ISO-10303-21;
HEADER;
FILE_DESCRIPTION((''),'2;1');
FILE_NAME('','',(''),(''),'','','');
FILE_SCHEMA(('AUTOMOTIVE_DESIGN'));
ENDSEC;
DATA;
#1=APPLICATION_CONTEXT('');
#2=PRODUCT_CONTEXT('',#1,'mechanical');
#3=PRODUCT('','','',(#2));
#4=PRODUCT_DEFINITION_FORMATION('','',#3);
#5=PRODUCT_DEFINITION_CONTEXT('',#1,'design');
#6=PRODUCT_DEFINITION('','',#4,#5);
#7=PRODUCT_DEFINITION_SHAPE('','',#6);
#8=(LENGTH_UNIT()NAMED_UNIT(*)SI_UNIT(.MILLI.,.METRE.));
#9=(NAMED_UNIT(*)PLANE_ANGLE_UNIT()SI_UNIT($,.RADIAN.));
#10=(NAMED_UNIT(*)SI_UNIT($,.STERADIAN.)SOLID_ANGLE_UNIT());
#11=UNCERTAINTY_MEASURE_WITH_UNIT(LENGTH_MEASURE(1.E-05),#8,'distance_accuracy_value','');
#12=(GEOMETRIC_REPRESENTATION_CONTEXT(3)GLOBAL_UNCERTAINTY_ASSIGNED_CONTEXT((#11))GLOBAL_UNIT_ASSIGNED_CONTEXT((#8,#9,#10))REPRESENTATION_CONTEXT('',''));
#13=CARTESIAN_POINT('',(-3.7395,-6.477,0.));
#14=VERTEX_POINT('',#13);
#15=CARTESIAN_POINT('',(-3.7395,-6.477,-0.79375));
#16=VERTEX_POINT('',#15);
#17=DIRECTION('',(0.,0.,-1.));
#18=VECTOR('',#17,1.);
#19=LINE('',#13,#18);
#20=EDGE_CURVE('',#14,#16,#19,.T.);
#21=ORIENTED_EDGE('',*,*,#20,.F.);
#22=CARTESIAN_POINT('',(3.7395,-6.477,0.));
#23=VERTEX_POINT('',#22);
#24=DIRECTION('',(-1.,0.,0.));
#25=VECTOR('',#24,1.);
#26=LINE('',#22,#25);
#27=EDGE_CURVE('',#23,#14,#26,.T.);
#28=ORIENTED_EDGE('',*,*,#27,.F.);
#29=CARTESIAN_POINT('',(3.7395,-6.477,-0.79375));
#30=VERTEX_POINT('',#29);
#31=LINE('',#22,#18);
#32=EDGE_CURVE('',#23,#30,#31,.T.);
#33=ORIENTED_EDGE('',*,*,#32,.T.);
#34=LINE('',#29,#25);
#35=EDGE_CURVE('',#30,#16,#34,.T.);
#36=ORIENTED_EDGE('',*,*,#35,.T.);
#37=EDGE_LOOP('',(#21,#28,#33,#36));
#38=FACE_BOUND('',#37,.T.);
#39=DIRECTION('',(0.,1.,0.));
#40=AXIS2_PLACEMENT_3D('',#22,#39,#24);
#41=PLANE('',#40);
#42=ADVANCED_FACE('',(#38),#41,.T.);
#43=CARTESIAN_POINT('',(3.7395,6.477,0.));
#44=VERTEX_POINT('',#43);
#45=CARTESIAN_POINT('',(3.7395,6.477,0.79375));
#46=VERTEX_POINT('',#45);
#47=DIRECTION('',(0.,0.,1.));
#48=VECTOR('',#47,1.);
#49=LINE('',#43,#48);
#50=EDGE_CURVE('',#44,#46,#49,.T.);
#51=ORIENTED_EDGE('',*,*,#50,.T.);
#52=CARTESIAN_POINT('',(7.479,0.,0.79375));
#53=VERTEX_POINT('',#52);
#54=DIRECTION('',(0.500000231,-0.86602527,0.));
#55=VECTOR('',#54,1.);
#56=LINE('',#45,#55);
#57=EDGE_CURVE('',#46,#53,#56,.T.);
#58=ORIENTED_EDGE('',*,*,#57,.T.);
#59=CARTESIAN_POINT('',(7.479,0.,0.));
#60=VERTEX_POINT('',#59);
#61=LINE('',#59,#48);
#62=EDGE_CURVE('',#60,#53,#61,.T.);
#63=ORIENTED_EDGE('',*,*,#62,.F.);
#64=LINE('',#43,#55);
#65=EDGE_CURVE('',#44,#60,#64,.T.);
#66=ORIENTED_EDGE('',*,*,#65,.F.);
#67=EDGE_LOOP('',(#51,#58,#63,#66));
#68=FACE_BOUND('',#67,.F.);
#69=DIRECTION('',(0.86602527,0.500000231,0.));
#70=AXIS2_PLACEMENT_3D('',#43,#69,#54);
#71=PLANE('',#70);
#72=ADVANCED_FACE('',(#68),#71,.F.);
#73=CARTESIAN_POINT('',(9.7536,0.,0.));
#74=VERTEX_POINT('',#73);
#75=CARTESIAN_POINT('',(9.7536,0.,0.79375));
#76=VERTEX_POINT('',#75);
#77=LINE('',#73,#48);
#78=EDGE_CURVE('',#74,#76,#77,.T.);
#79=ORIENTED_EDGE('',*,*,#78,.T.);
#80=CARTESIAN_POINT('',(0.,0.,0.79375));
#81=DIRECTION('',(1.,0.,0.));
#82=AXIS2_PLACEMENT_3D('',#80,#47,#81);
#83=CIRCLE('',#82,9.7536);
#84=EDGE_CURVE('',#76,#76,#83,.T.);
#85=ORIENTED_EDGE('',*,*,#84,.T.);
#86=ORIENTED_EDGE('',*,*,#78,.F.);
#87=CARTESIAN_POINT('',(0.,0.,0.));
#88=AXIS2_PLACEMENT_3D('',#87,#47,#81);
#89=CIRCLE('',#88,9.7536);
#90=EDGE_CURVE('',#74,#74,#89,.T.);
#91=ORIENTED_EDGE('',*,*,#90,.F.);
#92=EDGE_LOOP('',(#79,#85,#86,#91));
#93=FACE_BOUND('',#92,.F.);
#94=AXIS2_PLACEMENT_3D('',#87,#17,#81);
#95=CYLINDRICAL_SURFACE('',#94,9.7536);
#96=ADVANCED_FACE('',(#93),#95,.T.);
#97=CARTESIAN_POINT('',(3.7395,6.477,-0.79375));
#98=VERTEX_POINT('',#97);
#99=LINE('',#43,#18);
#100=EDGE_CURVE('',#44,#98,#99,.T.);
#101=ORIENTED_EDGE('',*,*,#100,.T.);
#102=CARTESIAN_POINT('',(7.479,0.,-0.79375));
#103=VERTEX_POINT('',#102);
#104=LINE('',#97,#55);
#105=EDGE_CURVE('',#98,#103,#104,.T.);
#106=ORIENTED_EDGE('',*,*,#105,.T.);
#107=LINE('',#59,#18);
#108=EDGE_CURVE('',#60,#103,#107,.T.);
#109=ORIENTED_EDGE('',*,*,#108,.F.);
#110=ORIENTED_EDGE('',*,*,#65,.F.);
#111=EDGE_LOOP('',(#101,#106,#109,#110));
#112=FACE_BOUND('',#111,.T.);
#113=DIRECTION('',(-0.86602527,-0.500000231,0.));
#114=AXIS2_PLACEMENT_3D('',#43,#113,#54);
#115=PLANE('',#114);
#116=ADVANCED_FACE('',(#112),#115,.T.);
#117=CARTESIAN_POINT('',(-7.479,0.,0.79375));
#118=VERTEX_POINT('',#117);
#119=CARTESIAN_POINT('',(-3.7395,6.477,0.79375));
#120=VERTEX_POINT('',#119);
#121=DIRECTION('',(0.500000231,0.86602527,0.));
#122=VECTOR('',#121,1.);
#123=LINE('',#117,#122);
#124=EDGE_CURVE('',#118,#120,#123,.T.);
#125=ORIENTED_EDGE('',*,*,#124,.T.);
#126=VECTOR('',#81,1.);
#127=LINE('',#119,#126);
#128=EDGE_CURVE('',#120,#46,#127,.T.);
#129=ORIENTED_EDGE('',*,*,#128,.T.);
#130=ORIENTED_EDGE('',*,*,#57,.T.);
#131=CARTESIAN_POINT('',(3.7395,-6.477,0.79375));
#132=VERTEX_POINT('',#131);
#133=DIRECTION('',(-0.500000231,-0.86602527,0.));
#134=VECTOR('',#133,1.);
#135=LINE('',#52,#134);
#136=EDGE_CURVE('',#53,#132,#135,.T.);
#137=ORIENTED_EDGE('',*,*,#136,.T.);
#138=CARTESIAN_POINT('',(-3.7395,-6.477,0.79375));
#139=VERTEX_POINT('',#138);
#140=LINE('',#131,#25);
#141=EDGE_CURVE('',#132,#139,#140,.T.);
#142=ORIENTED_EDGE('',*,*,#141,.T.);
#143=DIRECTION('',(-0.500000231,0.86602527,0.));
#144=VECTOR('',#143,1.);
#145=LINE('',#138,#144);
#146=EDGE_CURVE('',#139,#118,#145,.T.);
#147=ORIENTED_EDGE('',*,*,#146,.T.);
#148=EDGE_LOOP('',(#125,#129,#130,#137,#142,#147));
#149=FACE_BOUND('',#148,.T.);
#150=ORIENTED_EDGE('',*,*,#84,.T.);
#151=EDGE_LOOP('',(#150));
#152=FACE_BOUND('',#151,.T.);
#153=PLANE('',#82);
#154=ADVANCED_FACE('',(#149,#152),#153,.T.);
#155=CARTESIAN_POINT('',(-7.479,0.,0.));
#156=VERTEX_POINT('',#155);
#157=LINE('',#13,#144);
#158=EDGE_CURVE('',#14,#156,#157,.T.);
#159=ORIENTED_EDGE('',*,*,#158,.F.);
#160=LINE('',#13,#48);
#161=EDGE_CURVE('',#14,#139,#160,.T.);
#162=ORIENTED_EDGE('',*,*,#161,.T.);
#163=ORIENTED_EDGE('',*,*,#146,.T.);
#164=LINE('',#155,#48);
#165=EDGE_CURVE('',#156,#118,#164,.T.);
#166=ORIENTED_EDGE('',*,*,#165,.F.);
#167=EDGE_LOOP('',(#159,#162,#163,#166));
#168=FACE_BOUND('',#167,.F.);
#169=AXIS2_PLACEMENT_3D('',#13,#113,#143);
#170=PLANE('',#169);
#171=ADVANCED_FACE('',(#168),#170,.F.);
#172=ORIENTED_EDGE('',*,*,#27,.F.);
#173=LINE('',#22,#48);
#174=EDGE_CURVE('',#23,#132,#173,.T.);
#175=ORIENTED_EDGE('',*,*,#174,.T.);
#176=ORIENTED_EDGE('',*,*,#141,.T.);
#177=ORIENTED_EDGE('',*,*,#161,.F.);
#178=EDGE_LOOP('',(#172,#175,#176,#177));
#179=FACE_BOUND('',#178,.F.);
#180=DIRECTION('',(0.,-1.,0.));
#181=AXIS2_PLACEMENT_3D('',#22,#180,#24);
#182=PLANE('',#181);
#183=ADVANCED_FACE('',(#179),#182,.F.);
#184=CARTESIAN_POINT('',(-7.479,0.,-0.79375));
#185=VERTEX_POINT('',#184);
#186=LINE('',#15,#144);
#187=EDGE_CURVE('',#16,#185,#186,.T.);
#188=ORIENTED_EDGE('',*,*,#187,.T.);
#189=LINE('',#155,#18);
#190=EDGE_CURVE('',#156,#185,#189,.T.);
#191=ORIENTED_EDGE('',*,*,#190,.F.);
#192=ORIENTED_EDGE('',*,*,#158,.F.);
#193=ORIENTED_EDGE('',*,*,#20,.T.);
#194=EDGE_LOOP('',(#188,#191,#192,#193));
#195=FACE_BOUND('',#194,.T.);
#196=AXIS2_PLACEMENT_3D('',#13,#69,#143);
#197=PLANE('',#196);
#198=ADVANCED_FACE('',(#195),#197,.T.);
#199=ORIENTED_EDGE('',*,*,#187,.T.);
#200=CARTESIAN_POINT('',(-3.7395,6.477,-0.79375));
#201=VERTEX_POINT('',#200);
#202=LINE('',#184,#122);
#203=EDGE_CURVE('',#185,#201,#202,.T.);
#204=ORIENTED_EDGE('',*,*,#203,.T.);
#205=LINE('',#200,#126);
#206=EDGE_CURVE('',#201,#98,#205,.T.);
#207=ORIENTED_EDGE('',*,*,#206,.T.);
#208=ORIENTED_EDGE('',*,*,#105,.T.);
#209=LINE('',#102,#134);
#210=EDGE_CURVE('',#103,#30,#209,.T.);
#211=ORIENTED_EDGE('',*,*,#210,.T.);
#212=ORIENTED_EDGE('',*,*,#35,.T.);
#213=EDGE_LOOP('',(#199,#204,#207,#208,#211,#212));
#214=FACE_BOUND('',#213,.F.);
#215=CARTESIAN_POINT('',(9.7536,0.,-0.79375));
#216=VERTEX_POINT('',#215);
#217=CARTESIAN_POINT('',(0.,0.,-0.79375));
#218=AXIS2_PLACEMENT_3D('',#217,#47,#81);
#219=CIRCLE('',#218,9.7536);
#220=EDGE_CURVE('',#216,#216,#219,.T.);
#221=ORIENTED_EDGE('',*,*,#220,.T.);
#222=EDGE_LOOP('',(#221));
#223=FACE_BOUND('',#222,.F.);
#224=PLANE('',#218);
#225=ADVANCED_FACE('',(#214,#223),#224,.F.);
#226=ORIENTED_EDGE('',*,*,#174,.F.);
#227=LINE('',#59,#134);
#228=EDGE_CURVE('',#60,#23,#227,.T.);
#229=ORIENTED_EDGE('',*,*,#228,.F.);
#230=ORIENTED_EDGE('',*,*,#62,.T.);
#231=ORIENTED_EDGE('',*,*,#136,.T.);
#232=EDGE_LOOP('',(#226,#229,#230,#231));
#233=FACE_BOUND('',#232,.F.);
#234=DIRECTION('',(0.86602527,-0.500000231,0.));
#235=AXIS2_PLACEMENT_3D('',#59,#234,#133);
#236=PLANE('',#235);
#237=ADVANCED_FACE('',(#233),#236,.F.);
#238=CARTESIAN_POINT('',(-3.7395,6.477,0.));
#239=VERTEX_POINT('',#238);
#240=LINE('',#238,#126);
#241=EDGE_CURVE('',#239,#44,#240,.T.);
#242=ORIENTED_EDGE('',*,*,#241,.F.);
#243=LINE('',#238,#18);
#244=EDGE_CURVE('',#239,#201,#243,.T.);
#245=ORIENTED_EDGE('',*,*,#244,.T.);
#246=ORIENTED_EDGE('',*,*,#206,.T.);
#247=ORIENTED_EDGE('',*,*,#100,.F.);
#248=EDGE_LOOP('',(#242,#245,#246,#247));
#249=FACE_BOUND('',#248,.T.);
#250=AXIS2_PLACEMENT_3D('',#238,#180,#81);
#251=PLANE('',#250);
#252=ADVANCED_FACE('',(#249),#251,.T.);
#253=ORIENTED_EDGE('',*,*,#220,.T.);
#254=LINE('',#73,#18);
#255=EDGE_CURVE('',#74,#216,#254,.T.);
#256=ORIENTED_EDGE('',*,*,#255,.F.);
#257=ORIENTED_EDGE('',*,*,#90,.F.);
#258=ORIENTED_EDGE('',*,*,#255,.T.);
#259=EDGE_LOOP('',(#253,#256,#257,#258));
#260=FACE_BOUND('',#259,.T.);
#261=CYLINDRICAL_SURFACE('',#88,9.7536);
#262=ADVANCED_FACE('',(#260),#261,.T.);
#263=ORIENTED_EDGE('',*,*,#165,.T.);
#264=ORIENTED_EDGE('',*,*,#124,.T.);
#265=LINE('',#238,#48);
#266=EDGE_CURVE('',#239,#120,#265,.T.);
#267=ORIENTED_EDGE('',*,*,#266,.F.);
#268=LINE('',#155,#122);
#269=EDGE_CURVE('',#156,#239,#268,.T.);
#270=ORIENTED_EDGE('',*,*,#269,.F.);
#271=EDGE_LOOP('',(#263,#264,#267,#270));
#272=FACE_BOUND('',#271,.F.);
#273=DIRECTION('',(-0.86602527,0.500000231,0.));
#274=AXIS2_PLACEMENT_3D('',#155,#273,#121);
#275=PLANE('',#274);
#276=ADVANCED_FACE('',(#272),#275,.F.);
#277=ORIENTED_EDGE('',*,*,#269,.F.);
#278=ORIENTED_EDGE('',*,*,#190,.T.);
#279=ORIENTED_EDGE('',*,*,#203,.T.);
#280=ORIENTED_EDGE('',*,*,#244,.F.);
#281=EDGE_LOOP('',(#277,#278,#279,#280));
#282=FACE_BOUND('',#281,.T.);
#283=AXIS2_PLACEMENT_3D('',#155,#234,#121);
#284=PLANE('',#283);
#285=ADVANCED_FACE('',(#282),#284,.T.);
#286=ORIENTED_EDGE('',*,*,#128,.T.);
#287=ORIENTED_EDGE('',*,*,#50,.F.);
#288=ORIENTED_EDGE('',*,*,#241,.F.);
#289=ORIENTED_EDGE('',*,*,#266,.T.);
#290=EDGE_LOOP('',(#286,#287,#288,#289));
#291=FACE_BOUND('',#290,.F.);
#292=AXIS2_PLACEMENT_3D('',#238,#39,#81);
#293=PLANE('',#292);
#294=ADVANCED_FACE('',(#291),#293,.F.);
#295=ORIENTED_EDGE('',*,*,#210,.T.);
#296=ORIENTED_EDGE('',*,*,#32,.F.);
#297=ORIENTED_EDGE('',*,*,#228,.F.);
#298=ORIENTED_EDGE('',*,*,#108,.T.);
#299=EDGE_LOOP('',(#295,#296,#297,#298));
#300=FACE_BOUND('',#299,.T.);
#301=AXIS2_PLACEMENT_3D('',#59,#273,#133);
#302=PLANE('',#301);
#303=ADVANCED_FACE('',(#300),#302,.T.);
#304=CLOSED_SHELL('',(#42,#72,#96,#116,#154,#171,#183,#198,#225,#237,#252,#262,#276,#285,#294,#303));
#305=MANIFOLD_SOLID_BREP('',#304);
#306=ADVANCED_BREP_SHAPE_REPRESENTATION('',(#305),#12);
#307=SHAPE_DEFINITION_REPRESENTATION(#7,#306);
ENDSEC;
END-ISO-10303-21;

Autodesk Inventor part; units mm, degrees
ref_plane "YZ Plane" through (0, 0, 0) normal (1, 0, 0) x (0, 1, 0)
ref_plane "XZ Plane" through (0, 0, 0) normal (0, 1, 0) x (-1, 0, 0)
ref_plane "XY Plane" through (0, 0, 0) normal (0, 0, 1) x (1, 0, 0)
sketch "Sketch1" plane through (0, 0, 0) normal (0, 0, 1) x (1, 0, 0)
  circle A0 centre (0, 0) radius 9.7536
  line L0 (3.7395, -6.477) -> (-3.7395, -6.477)
  line L1 (-3.7395, -6.477) -> (-7.479, 0)
  line L2 (-7.479, 0) -> (-3.7395, 6.477)
  line L3 (-3.7395, 6.477) -> (3.7395, 6.477)
  line L4 (3.7395, 6.477) -> (7.479, 0)
  line L5 (7.479, 0) -> (3.7395, -6.477)
  dimension "d0" = 19.5072
  dimension "d1" = 12.954
extrude "Extrusion1" add sketch "Sketch1" along normal mid plane 1.5875
properties part number "WCP-0787" material "PVC-Piping"
